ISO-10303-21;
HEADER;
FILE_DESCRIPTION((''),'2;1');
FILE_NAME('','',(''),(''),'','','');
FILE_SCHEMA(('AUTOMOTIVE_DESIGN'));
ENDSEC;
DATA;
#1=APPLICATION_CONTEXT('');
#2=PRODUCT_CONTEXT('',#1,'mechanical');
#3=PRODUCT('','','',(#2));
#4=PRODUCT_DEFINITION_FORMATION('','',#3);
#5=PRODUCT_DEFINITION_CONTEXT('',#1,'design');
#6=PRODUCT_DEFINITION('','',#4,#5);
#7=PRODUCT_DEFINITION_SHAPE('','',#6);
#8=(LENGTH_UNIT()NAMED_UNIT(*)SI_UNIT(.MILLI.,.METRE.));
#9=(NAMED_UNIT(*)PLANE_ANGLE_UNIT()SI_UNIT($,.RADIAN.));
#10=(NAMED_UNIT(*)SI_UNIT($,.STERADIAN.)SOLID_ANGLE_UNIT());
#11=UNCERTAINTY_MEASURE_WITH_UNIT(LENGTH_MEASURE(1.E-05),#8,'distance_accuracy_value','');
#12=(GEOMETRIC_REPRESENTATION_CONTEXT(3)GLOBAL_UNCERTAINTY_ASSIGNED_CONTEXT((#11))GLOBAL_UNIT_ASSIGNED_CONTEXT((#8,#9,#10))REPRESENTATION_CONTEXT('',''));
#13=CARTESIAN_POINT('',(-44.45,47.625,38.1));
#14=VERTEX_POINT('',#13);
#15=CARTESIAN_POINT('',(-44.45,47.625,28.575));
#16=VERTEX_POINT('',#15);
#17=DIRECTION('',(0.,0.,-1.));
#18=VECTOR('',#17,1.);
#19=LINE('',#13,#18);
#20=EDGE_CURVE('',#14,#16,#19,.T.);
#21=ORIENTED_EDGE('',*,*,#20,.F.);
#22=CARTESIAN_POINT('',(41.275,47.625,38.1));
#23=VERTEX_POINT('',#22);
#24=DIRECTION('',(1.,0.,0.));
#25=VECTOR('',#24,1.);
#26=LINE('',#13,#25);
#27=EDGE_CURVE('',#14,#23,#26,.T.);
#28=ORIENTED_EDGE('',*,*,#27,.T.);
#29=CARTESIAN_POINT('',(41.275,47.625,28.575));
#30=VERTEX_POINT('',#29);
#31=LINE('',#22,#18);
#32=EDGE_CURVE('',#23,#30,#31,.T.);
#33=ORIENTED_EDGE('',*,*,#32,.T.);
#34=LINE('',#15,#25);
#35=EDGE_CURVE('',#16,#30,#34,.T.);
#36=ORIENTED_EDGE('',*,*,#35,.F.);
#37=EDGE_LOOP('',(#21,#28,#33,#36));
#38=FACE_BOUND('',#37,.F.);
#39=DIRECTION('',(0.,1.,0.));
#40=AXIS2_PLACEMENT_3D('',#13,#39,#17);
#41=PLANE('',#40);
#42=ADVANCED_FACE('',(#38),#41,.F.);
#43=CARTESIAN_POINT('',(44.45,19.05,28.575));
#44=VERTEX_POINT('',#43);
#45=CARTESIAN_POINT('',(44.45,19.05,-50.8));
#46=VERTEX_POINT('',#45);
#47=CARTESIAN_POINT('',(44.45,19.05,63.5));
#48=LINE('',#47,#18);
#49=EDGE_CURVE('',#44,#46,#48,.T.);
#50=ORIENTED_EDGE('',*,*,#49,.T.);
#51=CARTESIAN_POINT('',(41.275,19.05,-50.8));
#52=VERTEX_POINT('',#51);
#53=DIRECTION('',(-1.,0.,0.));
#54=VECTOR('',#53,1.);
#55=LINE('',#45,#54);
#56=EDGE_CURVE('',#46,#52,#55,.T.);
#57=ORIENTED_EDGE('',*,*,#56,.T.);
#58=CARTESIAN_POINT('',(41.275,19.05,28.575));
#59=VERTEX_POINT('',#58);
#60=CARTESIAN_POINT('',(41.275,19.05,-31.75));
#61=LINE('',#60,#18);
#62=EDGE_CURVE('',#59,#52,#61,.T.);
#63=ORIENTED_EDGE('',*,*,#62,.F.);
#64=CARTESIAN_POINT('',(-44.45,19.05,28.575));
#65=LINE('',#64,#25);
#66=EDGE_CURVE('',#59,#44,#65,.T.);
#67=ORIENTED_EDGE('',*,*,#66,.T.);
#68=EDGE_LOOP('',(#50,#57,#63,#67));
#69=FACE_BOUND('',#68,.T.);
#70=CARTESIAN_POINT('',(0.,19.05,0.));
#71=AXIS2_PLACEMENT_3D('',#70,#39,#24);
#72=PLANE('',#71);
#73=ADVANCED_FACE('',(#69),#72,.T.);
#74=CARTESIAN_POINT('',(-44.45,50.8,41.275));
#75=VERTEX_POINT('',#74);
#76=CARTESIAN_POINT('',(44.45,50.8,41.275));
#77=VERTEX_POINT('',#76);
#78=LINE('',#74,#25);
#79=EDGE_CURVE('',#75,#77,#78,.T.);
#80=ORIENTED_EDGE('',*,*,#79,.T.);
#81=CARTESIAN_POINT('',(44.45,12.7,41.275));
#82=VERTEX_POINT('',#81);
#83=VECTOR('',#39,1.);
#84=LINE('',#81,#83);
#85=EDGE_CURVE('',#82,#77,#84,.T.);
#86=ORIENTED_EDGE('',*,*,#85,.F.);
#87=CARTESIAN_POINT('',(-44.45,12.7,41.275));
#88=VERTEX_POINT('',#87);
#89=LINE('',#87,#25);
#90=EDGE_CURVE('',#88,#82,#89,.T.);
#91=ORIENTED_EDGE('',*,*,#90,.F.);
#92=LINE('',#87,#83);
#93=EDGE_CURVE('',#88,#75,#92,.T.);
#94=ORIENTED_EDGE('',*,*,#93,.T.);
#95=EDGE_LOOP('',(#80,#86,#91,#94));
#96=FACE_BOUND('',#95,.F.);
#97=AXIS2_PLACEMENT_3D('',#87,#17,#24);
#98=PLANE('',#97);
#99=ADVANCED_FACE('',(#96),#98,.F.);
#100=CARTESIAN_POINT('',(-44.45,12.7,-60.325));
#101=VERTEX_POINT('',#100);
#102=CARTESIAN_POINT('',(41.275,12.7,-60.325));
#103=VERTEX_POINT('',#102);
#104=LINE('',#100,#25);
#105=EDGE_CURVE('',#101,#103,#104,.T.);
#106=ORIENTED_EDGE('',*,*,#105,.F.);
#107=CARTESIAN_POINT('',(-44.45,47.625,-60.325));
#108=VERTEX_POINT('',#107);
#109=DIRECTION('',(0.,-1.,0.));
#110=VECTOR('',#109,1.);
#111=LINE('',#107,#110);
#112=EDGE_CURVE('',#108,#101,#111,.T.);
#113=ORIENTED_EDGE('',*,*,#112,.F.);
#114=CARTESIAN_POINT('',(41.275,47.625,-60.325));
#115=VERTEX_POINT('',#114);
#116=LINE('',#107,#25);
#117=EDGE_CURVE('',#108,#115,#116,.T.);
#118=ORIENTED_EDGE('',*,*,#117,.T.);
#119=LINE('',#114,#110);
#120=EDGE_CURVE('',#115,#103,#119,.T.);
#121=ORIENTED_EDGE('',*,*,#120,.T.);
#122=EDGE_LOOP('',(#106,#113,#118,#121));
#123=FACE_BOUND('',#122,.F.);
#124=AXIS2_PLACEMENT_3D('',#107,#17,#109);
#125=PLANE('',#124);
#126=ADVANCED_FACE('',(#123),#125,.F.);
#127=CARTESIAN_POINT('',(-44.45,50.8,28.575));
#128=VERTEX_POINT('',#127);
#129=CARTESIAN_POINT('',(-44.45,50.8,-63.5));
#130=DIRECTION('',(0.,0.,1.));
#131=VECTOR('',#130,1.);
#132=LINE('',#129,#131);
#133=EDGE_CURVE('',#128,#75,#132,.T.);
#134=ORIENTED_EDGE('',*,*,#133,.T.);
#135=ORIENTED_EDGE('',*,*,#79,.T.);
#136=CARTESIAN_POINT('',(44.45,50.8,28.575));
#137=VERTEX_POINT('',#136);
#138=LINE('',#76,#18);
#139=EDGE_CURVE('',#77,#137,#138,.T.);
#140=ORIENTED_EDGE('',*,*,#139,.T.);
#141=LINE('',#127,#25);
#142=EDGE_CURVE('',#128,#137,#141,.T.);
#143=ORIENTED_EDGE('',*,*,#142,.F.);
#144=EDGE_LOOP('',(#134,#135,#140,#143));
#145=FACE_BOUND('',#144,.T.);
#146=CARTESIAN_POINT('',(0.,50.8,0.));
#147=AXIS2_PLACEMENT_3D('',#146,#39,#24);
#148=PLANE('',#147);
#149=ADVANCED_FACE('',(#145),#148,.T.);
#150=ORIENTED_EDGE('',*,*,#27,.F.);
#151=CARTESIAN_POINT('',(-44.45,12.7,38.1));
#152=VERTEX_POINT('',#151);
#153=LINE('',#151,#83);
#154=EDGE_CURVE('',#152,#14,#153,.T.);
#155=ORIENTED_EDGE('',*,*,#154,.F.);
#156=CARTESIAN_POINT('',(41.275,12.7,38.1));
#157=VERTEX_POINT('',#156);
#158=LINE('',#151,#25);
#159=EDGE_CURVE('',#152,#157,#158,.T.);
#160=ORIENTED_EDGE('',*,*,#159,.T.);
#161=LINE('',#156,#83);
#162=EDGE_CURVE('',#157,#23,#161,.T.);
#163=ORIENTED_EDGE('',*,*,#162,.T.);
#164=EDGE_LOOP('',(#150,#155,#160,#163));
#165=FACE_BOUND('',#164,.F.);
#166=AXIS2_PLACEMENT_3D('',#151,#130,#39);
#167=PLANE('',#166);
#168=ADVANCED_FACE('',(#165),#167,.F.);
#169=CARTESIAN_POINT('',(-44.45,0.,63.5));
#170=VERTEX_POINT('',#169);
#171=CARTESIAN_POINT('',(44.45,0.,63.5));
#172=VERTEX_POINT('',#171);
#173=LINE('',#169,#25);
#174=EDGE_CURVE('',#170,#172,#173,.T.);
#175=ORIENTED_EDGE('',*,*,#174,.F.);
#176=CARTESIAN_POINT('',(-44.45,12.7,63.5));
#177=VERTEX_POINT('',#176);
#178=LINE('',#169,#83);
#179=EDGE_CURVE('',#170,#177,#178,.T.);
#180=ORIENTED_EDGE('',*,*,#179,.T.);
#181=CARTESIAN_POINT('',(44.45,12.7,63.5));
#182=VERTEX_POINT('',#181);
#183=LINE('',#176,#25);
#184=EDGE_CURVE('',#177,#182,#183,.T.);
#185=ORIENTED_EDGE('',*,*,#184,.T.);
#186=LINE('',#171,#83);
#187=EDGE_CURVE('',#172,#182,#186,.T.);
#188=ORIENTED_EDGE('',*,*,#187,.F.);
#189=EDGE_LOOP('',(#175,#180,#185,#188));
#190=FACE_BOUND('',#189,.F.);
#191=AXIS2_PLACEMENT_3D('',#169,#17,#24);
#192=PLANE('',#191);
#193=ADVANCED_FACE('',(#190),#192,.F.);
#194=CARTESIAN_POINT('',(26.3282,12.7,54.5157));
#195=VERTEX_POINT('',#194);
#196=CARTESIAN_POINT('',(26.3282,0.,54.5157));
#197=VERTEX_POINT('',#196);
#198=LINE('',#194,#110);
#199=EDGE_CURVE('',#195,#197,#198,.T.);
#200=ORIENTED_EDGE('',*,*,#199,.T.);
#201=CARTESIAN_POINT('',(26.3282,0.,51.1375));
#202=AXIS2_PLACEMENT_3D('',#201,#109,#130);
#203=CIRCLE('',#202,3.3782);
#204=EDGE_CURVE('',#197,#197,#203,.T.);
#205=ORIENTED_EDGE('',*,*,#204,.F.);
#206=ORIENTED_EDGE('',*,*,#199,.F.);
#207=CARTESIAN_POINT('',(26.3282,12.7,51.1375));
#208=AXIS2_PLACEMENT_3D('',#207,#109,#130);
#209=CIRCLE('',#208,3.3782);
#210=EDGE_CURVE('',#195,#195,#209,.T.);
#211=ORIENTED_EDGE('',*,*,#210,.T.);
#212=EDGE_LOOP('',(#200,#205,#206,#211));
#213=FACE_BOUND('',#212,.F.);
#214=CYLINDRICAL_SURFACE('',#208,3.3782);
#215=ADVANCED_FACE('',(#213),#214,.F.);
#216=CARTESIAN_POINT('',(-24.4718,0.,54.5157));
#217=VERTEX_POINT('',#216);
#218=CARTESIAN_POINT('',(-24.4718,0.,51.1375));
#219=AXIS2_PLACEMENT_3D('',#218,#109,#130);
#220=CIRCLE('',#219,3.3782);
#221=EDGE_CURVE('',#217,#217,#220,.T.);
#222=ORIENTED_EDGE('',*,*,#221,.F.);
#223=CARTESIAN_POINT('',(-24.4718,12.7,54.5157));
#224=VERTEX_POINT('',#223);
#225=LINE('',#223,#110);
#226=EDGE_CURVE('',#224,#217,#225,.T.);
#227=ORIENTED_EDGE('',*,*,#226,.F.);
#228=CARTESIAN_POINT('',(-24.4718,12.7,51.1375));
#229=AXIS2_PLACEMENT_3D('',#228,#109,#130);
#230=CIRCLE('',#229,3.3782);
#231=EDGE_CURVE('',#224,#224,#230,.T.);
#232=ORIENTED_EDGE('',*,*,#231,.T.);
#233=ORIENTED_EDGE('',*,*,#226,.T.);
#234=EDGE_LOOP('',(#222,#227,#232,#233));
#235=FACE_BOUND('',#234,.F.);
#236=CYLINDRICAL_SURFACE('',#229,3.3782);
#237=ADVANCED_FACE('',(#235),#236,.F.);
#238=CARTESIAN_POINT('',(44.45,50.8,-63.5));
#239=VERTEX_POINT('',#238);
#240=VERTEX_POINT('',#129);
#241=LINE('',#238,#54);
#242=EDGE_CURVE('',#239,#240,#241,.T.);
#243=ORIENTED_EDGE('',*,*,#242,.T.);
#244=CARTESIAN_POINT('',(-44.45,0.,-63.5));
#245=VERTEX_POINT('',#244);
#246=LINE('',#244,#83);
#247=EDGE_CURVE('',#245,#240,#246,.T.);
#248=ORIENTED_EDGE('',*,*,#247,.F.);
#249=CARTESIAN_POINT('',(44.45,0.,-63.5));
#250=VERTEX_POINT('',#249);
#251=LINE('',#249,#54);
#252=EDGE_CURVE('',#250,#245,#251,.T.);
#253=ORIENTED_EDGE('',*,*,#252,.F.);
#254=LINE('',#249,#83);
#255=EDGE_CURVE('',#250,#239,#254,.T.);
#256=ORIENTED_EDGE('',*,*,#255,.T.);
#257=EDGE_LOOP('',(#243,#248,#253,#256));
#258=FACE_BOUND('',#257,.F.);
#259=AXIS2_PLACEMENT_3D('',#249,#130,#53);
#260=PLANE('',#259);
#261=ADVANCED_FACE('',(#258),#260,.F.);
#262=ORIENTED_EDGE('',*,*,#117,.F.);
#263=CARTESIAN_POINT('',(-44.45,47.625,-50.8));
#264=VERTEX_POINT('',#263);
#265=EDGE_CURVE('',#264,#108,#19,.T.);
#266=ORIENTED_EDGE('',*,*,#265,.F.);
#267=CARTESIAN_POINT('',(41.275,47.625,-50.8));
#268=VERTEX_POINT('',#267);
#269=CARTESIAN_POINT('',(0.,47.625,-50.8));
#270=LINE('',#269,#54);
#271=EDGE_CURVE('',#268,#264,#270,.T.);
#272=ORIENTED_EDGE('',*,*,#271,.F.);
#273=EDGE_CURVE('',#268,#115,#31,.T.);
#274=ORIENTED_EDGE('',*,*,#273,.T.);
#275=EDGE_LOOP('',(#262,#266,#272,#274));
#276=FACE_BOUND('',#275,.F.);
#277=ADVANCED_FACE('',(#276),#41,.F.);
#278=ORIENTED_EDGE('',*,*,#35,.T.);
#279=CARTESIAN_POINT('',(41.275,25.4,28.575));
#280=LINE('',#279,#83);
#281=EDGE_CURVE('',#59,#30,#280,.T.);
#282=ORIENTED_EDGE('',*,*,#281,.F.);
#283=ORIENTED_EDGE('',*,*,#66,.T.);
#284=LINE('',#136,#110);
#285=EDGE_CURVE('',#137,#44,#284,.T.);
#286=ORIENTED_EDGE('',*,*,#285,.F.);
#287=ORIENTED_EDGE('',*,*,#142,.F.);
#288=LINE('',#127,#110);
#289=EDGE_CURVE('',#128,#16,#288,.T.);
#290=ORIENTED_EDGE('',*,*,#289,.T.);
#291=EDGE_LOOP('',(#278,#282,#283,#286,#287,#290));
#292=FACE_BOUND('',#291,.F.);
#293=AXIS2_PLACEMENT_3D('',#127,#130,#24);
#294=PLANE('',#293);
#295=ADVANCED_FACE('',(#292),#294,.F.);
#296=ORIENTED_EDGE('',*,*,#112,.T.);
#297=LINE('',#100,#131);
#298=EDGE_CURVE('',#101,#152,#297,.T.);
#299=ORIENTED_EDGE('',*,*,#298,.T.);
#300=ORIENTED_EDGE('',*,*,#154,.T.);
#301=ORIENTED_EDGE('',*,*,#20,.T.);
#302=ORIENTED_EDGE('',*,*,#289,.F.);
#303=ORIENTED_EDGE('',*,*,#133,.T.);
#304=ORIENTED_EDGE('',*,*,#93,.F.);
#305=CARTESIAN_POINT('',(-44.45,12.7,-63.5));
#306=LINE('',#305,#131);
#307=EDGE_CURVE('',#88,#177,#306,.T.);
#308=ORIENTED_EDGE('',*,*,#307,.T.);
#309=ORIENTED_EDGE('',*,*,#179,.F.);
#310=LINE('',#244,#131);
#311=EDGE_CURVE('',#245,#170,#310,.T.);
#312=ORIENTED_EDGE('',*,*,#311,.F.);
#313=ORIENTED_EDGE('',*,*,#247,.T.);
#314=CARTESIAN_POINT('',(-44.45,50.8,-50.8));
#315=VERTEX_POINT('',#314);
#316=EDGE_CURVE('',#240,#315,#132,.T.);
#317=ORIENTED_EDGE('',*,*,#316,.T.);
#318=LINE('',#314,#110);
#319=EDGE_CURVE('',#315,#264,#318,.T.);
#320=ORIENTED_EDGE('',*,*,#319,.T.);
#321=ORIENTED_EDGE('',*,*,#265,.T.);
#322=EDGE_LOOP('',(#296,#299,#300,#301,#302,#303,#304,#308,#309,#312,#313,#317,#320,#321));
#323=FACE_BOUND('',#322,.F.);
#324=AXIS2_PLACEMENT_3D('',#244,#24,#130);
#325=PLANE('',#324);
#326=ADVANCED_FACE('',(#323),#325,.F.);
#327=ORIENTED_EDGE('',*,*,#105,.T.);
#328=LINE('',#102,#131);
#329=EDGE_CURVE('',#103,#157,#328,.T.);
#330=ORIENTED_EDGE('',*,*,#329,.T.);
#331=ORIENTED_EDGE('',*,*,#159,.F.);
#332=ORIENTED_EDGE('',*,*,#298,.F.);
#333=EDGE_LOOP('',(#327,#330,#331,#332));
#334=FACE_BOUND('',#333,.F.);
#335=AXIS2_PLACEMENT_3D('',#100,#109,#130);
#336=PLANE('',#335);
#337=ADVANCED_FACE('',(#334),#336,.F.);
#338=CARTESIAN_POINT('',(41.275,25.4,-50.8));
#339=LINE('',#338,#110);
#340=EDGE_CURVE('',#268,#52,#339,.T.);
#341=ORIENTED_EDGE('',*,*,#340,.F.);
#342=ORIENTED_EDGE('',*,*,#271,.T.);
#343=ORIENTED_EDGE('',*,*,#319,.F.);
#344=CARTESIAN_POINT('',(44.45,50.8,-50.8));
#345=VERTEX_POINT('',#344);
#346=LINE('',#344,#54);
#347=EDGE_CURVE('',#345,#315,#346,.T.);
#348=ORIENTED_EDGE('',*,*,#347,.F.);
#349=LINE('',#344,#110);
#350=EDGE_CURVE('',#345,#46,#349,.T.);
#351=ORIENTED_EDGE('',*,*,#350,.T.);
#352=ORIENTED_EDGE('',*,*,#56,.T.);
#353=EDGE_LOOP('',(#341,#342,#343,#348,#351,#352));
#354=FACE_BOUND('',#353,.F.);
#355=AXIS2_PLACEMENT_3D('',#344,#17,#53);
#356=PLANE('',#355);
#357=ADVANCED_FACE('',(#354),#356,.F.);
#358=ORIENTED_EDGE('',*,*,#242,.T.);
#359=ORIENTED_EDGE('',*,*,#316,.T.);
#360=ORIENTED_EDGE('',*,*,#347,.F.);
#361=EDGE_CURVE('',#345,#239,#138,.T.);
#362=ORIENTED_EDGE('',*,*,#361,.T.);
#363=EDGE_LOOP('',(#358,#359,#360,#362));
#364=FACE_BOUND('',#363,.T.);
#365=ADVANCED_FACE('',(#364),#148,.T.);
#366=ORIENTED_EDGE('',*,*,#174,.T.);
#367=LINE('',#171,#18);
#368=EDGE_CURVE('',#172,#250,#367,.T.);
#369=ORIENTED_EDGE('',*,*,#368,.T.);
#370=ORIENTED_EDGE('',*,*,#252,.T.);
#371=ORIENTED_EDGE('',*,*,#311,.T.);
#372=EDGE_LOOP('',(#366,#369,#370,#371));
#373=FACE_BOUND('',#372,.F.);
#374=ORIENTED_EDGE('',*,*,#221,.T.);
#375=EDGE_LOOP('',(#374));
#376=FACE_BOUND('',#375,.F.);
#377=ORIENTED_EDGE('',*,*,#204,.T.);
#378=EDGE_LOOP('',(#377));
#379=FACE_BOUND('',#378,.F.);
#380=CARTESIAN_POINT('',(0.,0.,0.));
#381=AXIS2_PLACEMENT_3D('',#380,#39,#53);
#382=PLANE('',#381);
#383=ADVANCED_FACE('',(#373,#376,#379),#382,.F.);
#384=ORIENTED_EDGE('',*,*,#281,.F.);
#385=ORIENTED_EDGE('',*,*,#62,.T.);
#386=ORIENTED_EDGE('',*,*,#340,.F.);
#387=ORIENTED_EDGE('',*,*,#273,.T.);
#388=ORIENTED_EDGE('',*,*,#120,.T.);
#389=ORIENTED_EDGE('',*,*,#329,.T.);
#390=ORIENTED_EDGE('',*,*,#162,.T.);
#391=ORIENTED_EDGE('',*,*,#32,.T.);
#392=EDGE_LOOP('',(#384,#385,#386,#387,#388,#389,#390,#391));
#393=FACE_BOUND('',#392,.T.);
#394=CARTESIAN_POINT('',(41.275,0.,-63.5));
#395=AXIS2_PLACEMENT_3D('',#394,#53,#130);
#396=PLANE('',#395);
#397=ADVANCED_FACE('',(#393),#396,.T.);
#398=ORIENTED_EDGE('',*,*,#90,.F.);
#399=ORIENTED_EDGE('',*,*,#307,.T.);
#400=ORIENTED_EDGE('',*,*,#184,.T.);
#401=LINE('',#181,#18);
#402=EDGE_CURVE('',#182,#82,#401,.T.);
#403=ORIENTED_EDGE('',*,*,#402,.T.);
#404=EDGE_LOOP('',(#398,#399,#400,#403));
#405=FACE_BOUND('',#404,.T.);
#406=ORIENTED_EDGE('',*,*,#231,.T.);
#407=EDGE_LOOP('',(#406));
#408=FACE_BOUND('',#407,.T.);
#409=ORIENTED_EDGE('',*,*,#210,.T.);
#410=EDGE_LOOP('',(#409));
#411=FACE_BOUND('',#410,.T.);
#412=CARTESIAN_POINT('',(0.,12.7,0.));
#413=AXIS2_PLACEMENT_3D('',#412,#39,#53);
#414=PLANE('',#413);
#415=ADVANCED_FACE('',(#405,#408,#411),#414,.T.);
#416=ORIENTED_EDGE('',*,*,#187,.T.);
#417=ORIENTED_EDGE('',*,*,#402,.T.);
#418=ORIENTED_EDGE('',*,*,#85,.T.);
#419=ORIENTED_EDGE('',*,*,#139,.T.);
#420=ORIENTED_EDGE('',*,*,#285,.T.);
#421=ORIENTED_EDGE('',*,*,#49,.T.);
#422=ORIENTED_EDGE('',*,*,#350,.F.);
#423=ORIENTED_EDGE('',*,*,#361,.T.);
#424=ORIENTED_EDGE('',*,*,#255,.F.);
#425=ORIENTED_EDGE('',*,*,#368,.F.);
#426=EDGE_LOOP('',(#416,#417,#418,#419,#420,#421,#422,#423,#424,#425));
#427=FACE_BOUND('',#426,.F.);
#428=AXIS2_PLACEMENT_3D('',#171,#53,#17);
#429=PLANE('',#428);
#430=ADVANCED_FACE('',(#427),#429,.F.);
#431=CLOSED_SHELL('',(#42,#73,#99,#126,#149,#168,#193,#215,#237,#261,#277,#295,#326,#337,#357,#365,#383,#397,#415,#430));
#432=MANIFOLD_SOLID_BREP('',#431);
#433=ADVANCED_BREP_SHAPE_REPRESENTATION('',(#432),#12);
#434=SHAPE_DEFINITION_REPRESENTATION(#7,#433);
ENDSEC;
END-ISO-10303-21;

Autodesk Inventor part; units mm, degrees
ref_plane "YZ Plane" through (0, 0, 0) normal (1, 0, 0) x (0, 1, 0)
ref_plane "XZ Plane" through (0, 0, 0) normal (0, 1, 0) x (-1, 0, 0)
ref_plane "XY Plane" through (0, 0, 0) normal (0, 0, 1) x (1, 0, 0)
sketch "Sketch1" plane through (0, 0, 0) normal (0, 1, 0) x (-1, 0, 0)
  line L0 (-44.45, -63.5) -> (44.45, -63.5)
  line L1 (44.45, -63.5) -> (44.45, 63.5)
  line L2 (44.45, 63.5) -> (-44.45, 63.5)
  line L3 (-44.45, 63.5) -> (-44.45, -63.5)
  line L4 (-44.45, -63.5) -> (44.45, 63.5) construction
  line L5 (44.45, -63.5) -> (-44.45, 63.5) construction
  point P0 (0, 0)
  dimension "d0" = 127
  dimension "d1" = 88.9
extrude "Extrusion1" add sketch "Sketch1" along normal blind 12.7
sketch "Sketch2" plane through (0, 12.7, 0) normal (0, 1, 0) x (1, 0, 0)
  line L0 (44.45, 63.5) -> (-44.45, 63.5) projected
  line L1 (-44.45, 63.5) -> (-44.45, -63.5) projected
  line L2 (44.45, 63.5) -> (-44.45, 63.5)
  line L3 (-44.45, 63.5) -> (-44.45, -41.275)
  line L4 (-44.45, -41.275) -> (44.45, -41.275)
  line L5 (44.45, -41.275) -> (44.45, 63.5)
  point P0 (0, 0)
  dimension "d4" = 104.775
extrude "Extrusion2" add sketch "Sketch2" along normal blind 38.1
sketch "Sketch4" plane through (-44.45, 0, -63.5) normal (-1, 0, 0) x (0, 0, 1)
  line L0 (101.6, 47.625) -> (3.175, 47.625)
  line L1 (3.175, 47.625) -> (3.175, 12.7)
  line L2 (3.175, 12.7) -> (101.6, 12.7)
  line L3 (101.6, 12.7) -> (101.6, 47.625)
  line L4 (0, 0) -> (0, 50.8) projected
  line L5 (0, 50.8) -> (104.775, 50.8) projected
  line L6 (104.775, 12.7) -> (104.775, 50.8) projected
  line L7 (0, 0) -> (127, 0) projected
  point P0 (63.5, 0)
  dimension "d11" = 3.175
  dimension "d12" = 3.175
  dimension "d13" = 3.175
  dimension "d14" = 12.7
extrude "Extrusion3" cut sketch "Sketch4" against normal blind 85.725
sketch "Sketch5" plane through (0, 50.8, 0) normal (0, 1, 0) x (1, 0, 0)
  line L0 (-44.45, 63.5) -> (-44.45, -41.275) projected
  line L1 (44.45, -63.5) -> (44.45, 63.5) projected
  line L2 (-44.45, -28.575) -> (44.45, -28.575)
  line L3 (44.45, -28.575) -> (44.45, 50.8)
  line L4 (44.45, 50.8) -> (-44.45, 50.8)
  line L5 (-44.45, 50.8) -> (-44.45, -28.575)
  line L6 (44.45, 63.5) -> (-44.45, 63.5) projected
  line L7 (-44.45, -41.275) -> (44.45, -41.275) projected
  point P0 (0, 0)
  dimension "d17" = 12.7
  dimension "d18" = 12.7
extrude "Extrusion4" cut sketch "Sketch5" against normal blind 31.75 contours L4 L1 L2 L0
sketch "Sketch6" plane through (0, 12.7, 0) normal (0, 1, 0) x (1, 0, 0)
  line L0 (44.45, -63.5) -> (44.45, -41.275) projected
  point P0 (0, 0)
  point P1 (-24.4718, -51.1375)
  point P2 (26.3282, -51.1375)
  dimension "d21" = 50.8
hole "Hole1" at (-24.4718, 12.7, 51.1375) at (26.3282, 12.7, 51.1375) direction (0, -1, 0) diameter 6.7564 end through all clearance for "Flat Head Machine Screw (82)" size "1/4" standard "Ansi Unified Screw Threads"
properties part number "KVM Holder"
